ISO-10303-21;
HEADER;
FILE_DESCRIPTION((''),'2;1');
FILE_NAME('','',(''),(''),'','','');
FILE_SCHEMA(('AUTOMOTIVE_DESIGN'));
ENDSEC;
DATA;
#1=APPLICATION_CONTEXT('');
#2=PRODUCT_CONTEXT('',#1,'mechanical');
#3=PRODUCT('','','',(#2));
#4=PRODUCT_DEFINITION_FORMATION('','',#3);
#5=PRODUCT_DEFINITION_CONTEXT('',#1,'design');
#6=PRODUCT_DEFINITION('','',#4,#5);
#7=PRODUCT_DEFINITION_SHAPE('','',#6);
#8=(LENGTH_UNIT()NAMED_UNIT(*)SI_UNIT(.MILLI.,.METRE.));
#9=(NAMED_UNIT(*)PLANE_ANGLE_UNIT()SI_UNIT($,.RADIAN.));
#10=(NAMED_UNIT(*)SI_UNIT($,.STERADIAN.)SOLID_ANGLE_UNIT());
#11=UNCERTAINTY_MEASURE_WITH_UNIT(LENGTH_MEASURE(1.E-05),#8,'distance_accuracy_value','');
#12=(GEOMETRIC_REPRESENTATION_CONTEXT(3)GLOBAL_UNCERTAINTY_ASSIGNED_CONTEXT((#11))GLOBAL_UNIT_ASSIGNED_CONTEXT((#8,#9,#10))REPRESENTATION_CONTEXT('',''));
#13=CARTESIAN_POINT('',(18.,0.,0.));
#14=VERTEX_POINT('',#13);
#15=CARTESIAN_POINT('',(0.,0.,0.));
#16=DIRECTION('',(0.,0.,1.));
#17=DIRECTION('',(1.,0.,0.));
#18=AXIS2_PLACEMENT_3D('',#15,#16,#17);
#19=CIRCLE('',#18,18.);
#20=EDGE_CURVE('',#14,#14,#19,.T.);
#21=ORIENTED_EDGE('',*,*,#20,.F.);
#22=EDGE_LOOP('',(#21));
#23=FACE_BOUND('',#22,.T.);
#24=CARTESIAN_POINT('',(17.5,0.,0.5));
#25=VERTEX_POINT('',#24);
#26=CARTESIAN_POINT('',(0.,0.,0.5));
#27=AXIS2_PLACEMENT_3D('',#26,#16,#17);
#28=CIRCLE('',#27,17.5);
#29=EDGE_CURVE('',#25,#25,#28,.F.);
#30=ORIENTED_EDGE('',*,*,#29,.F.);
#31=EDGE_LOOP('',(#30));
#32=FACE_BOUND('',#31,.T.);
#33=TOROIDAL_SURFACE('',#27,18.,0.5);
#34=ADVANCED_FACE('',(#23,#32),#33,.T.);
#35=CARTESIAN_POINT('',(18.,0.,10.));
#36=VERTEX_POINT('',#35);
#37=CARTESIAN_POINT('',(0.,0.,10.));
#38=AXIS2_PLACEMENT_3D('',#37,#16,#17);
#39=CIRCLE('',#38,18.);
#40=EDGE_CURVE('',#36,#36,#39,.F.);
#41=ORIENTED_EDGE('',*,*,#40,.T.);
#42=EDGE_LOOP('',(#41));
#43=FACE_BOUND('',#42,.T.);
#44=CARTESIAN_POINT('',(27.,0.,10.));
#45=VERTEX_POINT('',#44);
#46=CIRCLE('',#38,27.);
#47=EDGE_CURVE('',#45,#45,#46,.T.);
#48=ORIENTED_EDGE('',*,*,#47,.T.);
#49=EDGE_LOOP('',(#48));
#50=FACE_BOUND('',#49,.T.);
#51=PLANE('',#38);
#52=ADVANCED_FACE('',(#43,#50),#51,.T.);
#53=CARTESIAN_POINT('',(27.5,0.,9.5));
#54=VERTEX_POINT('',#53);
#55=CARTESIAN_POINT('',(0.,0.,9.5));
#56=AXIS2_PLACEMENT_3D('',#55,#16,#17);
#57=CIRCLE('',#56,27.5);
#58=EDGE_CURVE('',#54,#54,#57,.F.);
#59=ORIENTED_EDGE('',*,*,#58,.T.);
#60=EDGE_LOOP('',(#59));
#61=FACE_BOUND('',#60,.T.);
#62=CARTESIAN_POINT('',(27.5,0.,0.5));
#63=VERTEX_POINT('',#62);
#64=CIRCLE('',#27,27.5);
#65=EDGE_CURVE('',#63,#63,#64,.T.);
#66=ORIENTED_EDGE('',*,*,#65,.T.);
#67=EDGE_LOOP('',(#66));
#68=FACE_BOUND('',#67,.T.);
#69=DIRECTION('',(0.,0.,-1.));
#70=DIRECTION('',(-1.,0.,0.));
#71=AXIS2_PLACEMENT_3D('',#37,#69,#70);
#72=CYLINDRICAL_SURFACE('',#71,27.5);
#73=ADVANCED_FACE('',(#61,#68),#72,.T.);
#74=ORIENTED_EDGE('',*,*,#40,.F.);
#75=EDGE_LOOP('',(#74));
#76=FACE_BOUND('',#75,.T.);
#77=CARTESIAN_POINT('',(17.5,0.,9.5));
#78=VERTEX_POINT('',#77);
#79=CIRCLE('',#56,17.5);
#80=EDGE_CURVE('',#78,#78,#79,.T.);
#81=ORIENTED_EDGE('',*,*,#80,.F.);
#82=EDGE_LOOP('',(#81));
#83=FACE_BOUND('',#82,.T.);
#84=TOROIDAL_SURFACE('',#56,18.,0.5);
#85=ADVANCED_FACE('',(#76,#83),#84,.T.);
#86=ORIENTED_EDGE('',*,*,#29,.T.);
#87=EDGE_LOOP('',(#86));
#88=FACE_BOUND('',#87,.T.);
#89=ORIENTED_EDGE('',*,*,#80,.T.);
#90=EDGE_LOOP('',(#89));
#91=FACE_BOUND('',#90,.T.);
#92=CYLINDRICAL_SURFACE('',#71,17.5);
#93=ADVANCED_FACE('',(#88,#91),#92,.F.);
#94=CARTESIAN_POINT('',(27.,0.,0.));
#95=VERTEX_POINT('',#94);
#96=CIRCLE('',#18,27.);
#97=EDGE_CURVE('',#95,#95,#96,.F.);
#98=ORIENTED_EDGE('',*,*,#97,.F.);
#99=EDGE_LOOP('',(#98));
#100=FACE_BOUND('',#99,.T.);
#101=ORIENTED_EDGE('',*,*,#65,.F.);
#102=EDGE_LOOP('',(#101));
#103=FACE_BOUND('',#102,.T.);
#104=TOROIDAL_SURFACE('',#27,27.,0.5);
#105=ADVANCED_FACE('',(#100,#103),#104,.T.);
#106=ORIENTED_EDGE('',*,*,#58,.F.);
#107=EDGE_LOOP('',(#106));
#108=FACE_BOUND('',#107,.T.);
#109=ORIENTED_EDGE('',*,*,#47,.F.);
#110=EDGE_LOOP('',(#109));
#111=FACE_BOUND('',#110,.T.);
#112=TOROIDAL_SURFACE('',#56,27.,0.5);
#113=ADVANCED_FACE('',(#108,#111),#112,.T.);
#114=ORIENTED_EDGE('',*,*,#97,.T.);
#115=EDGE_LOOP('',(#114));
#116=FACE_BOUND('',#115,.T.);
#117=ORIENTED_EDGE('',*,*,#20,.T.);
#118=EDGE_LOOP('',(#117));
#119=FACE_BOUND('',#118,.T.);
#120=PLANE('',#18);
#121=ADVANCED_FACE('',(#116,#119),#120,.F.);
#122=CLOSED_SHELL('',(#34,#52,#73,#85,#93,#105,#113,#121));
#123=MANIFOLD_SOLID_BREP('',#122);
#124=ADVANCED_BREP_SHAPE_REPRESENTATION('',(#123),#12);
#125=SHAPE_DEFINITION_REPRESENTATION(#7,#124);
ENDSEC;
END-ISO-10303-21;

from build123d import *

# Parameters (mm, degrees)
SKETCH_1_R      = 27.5
SKETCH_1_R_2    = 17.5
EXTRUDE_1_DEPTH = 10
FILLET_1_R      = 0.5


with BuildPart() as part:
    # 草图1 → 拉伸1 (new body)
    with BuildSketch(Plane.XY):
        Circle(SKETCH_1_R)
        Circle(SKETCH_1_R_2, mode=Mode.SUBTRACT)
    extrude(amount=EXTRUDE_1_DEPTH)

    # 圆角1
    fillet_1_edges = [part.edges().sort_by_distance(p)[0] for p in [
        (-27.5, 0, 0),
        (-27.5, 0, 10),
        (-17.5, 0, 0),
        (-17.5, 0, 10),
    ]]
    fillet(fillet_1_edges, radius=FILLET_1_R)


solid = part.part
